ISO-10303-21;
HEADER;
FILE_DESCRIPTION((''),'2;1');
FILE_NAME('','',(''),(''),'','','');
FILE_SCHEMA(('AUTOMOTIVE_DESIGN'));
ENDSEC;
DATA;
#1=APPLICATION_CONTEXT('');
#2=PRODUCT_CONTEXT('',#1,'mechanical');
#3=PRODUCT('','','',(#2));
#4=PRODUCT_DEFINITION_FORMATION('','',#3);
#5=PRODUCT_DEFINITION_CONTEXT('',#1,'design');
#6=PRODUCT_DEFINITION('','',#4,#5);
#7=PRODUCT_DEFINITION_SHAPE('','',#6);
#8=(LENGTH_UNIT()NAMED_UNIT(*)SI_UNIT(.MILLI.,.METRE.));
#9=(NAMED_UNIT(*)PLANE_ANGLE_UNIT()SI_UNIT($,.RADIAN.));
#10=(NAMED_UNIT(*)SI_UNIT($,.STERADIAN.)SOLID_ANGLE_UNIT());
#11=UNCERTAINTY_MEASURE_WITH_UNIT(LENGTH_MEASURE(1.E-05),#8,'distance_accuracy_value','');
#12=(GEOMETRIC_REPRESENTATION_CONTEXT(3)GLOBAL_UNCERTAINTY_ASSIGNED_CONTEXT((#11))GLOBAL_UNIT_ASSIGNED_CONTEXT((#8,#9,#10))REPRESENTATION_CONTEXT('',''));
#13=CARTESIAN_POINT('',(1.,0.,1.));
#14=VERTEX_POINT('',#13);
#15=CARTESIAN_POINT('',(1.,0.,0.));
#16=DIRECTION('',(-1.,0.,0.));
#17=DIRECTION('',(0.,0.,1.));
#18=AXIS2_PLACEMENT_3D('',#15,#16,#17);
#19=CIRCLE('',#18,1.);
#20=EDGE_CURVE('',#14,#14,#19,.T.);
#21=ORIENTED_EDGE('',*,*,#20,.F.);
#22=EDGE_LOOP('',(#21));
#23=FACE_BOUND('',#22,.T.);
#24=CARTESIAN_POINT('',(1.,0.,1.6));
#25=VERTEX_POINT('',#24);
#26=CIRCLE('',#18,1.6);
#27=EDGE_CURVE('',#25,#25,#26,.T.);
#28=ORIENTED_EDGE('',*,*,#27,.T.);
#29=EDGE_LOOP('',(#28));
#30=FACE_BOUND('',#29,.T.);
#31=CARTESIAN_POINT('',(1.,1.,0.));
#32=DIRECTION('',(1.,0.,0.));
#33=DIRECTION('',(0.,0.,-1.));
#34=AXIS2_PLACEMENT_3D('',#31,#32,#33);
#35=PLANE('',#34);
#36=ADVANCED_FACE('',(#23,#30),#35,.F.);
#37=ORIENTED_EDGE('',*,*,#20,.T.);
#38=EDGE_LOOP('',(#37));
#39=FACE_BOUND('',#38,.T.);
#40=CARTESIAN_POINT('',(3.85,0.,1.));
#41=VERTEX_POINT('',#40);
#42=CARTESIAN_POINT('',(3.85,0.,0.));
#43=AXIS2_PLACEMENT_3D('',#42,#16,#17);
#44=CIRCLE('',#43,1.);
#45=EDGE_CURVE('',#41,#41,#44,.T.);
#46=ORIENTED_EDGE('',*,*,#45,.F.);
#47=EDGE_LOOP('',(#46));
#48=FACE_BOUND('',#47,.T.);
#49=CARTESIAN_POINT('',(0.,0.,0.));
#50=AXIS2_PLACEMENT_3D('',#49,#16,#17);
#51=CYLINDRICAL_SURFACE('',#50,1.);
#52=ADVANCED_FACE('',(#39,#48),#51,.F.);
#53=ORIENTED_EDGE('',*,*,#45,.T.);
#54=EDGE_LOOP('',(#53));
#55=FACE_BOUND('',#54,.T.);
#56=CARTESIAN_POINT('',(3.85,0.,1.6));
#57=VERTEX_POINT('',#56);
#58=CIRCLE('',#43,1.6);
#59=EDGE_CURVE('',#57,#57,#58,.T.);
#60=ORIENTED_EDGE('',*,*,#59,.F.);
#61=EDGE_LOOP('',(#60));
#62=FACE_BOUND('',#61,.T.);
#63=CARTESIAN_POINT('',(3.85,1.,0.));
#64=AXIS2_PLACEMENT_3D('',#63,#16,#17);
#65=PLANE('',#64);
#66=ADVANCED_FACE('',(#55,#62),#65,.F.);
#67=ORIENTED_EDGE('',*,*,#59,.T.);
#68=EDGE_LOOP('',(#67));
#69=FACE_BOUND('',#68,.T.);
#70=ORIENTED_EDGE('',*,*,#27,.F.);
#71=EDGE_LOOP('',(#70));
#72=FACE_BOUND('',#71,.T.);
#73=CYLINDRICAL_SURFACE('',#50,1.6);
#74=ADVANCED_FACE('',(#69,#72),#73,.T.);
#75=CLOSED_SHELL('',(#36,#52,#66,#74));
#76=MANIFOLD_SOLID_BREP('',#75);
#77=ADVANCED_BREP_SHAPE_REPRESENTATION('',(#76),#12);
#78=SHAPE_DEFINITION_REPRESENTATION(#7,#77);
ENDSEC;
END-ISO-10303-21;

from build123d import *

# Parameters (mm, degrees)
ESQUISSE1_W = 2.85
ESQUISSE1_H = 0.6


with BuildPart() as part:
    # Esquisse1 → Révolution1 (revolve)
    with BuildSketch(Plane.XY):
        with Locations((2.425, 1.3)):
            Rectangle(ESQUISSE1_W, ESQUISSE1_H)
    revolve(axis=Axis((0, 0, 0), (1, 0, 0)))


solid = part.part
